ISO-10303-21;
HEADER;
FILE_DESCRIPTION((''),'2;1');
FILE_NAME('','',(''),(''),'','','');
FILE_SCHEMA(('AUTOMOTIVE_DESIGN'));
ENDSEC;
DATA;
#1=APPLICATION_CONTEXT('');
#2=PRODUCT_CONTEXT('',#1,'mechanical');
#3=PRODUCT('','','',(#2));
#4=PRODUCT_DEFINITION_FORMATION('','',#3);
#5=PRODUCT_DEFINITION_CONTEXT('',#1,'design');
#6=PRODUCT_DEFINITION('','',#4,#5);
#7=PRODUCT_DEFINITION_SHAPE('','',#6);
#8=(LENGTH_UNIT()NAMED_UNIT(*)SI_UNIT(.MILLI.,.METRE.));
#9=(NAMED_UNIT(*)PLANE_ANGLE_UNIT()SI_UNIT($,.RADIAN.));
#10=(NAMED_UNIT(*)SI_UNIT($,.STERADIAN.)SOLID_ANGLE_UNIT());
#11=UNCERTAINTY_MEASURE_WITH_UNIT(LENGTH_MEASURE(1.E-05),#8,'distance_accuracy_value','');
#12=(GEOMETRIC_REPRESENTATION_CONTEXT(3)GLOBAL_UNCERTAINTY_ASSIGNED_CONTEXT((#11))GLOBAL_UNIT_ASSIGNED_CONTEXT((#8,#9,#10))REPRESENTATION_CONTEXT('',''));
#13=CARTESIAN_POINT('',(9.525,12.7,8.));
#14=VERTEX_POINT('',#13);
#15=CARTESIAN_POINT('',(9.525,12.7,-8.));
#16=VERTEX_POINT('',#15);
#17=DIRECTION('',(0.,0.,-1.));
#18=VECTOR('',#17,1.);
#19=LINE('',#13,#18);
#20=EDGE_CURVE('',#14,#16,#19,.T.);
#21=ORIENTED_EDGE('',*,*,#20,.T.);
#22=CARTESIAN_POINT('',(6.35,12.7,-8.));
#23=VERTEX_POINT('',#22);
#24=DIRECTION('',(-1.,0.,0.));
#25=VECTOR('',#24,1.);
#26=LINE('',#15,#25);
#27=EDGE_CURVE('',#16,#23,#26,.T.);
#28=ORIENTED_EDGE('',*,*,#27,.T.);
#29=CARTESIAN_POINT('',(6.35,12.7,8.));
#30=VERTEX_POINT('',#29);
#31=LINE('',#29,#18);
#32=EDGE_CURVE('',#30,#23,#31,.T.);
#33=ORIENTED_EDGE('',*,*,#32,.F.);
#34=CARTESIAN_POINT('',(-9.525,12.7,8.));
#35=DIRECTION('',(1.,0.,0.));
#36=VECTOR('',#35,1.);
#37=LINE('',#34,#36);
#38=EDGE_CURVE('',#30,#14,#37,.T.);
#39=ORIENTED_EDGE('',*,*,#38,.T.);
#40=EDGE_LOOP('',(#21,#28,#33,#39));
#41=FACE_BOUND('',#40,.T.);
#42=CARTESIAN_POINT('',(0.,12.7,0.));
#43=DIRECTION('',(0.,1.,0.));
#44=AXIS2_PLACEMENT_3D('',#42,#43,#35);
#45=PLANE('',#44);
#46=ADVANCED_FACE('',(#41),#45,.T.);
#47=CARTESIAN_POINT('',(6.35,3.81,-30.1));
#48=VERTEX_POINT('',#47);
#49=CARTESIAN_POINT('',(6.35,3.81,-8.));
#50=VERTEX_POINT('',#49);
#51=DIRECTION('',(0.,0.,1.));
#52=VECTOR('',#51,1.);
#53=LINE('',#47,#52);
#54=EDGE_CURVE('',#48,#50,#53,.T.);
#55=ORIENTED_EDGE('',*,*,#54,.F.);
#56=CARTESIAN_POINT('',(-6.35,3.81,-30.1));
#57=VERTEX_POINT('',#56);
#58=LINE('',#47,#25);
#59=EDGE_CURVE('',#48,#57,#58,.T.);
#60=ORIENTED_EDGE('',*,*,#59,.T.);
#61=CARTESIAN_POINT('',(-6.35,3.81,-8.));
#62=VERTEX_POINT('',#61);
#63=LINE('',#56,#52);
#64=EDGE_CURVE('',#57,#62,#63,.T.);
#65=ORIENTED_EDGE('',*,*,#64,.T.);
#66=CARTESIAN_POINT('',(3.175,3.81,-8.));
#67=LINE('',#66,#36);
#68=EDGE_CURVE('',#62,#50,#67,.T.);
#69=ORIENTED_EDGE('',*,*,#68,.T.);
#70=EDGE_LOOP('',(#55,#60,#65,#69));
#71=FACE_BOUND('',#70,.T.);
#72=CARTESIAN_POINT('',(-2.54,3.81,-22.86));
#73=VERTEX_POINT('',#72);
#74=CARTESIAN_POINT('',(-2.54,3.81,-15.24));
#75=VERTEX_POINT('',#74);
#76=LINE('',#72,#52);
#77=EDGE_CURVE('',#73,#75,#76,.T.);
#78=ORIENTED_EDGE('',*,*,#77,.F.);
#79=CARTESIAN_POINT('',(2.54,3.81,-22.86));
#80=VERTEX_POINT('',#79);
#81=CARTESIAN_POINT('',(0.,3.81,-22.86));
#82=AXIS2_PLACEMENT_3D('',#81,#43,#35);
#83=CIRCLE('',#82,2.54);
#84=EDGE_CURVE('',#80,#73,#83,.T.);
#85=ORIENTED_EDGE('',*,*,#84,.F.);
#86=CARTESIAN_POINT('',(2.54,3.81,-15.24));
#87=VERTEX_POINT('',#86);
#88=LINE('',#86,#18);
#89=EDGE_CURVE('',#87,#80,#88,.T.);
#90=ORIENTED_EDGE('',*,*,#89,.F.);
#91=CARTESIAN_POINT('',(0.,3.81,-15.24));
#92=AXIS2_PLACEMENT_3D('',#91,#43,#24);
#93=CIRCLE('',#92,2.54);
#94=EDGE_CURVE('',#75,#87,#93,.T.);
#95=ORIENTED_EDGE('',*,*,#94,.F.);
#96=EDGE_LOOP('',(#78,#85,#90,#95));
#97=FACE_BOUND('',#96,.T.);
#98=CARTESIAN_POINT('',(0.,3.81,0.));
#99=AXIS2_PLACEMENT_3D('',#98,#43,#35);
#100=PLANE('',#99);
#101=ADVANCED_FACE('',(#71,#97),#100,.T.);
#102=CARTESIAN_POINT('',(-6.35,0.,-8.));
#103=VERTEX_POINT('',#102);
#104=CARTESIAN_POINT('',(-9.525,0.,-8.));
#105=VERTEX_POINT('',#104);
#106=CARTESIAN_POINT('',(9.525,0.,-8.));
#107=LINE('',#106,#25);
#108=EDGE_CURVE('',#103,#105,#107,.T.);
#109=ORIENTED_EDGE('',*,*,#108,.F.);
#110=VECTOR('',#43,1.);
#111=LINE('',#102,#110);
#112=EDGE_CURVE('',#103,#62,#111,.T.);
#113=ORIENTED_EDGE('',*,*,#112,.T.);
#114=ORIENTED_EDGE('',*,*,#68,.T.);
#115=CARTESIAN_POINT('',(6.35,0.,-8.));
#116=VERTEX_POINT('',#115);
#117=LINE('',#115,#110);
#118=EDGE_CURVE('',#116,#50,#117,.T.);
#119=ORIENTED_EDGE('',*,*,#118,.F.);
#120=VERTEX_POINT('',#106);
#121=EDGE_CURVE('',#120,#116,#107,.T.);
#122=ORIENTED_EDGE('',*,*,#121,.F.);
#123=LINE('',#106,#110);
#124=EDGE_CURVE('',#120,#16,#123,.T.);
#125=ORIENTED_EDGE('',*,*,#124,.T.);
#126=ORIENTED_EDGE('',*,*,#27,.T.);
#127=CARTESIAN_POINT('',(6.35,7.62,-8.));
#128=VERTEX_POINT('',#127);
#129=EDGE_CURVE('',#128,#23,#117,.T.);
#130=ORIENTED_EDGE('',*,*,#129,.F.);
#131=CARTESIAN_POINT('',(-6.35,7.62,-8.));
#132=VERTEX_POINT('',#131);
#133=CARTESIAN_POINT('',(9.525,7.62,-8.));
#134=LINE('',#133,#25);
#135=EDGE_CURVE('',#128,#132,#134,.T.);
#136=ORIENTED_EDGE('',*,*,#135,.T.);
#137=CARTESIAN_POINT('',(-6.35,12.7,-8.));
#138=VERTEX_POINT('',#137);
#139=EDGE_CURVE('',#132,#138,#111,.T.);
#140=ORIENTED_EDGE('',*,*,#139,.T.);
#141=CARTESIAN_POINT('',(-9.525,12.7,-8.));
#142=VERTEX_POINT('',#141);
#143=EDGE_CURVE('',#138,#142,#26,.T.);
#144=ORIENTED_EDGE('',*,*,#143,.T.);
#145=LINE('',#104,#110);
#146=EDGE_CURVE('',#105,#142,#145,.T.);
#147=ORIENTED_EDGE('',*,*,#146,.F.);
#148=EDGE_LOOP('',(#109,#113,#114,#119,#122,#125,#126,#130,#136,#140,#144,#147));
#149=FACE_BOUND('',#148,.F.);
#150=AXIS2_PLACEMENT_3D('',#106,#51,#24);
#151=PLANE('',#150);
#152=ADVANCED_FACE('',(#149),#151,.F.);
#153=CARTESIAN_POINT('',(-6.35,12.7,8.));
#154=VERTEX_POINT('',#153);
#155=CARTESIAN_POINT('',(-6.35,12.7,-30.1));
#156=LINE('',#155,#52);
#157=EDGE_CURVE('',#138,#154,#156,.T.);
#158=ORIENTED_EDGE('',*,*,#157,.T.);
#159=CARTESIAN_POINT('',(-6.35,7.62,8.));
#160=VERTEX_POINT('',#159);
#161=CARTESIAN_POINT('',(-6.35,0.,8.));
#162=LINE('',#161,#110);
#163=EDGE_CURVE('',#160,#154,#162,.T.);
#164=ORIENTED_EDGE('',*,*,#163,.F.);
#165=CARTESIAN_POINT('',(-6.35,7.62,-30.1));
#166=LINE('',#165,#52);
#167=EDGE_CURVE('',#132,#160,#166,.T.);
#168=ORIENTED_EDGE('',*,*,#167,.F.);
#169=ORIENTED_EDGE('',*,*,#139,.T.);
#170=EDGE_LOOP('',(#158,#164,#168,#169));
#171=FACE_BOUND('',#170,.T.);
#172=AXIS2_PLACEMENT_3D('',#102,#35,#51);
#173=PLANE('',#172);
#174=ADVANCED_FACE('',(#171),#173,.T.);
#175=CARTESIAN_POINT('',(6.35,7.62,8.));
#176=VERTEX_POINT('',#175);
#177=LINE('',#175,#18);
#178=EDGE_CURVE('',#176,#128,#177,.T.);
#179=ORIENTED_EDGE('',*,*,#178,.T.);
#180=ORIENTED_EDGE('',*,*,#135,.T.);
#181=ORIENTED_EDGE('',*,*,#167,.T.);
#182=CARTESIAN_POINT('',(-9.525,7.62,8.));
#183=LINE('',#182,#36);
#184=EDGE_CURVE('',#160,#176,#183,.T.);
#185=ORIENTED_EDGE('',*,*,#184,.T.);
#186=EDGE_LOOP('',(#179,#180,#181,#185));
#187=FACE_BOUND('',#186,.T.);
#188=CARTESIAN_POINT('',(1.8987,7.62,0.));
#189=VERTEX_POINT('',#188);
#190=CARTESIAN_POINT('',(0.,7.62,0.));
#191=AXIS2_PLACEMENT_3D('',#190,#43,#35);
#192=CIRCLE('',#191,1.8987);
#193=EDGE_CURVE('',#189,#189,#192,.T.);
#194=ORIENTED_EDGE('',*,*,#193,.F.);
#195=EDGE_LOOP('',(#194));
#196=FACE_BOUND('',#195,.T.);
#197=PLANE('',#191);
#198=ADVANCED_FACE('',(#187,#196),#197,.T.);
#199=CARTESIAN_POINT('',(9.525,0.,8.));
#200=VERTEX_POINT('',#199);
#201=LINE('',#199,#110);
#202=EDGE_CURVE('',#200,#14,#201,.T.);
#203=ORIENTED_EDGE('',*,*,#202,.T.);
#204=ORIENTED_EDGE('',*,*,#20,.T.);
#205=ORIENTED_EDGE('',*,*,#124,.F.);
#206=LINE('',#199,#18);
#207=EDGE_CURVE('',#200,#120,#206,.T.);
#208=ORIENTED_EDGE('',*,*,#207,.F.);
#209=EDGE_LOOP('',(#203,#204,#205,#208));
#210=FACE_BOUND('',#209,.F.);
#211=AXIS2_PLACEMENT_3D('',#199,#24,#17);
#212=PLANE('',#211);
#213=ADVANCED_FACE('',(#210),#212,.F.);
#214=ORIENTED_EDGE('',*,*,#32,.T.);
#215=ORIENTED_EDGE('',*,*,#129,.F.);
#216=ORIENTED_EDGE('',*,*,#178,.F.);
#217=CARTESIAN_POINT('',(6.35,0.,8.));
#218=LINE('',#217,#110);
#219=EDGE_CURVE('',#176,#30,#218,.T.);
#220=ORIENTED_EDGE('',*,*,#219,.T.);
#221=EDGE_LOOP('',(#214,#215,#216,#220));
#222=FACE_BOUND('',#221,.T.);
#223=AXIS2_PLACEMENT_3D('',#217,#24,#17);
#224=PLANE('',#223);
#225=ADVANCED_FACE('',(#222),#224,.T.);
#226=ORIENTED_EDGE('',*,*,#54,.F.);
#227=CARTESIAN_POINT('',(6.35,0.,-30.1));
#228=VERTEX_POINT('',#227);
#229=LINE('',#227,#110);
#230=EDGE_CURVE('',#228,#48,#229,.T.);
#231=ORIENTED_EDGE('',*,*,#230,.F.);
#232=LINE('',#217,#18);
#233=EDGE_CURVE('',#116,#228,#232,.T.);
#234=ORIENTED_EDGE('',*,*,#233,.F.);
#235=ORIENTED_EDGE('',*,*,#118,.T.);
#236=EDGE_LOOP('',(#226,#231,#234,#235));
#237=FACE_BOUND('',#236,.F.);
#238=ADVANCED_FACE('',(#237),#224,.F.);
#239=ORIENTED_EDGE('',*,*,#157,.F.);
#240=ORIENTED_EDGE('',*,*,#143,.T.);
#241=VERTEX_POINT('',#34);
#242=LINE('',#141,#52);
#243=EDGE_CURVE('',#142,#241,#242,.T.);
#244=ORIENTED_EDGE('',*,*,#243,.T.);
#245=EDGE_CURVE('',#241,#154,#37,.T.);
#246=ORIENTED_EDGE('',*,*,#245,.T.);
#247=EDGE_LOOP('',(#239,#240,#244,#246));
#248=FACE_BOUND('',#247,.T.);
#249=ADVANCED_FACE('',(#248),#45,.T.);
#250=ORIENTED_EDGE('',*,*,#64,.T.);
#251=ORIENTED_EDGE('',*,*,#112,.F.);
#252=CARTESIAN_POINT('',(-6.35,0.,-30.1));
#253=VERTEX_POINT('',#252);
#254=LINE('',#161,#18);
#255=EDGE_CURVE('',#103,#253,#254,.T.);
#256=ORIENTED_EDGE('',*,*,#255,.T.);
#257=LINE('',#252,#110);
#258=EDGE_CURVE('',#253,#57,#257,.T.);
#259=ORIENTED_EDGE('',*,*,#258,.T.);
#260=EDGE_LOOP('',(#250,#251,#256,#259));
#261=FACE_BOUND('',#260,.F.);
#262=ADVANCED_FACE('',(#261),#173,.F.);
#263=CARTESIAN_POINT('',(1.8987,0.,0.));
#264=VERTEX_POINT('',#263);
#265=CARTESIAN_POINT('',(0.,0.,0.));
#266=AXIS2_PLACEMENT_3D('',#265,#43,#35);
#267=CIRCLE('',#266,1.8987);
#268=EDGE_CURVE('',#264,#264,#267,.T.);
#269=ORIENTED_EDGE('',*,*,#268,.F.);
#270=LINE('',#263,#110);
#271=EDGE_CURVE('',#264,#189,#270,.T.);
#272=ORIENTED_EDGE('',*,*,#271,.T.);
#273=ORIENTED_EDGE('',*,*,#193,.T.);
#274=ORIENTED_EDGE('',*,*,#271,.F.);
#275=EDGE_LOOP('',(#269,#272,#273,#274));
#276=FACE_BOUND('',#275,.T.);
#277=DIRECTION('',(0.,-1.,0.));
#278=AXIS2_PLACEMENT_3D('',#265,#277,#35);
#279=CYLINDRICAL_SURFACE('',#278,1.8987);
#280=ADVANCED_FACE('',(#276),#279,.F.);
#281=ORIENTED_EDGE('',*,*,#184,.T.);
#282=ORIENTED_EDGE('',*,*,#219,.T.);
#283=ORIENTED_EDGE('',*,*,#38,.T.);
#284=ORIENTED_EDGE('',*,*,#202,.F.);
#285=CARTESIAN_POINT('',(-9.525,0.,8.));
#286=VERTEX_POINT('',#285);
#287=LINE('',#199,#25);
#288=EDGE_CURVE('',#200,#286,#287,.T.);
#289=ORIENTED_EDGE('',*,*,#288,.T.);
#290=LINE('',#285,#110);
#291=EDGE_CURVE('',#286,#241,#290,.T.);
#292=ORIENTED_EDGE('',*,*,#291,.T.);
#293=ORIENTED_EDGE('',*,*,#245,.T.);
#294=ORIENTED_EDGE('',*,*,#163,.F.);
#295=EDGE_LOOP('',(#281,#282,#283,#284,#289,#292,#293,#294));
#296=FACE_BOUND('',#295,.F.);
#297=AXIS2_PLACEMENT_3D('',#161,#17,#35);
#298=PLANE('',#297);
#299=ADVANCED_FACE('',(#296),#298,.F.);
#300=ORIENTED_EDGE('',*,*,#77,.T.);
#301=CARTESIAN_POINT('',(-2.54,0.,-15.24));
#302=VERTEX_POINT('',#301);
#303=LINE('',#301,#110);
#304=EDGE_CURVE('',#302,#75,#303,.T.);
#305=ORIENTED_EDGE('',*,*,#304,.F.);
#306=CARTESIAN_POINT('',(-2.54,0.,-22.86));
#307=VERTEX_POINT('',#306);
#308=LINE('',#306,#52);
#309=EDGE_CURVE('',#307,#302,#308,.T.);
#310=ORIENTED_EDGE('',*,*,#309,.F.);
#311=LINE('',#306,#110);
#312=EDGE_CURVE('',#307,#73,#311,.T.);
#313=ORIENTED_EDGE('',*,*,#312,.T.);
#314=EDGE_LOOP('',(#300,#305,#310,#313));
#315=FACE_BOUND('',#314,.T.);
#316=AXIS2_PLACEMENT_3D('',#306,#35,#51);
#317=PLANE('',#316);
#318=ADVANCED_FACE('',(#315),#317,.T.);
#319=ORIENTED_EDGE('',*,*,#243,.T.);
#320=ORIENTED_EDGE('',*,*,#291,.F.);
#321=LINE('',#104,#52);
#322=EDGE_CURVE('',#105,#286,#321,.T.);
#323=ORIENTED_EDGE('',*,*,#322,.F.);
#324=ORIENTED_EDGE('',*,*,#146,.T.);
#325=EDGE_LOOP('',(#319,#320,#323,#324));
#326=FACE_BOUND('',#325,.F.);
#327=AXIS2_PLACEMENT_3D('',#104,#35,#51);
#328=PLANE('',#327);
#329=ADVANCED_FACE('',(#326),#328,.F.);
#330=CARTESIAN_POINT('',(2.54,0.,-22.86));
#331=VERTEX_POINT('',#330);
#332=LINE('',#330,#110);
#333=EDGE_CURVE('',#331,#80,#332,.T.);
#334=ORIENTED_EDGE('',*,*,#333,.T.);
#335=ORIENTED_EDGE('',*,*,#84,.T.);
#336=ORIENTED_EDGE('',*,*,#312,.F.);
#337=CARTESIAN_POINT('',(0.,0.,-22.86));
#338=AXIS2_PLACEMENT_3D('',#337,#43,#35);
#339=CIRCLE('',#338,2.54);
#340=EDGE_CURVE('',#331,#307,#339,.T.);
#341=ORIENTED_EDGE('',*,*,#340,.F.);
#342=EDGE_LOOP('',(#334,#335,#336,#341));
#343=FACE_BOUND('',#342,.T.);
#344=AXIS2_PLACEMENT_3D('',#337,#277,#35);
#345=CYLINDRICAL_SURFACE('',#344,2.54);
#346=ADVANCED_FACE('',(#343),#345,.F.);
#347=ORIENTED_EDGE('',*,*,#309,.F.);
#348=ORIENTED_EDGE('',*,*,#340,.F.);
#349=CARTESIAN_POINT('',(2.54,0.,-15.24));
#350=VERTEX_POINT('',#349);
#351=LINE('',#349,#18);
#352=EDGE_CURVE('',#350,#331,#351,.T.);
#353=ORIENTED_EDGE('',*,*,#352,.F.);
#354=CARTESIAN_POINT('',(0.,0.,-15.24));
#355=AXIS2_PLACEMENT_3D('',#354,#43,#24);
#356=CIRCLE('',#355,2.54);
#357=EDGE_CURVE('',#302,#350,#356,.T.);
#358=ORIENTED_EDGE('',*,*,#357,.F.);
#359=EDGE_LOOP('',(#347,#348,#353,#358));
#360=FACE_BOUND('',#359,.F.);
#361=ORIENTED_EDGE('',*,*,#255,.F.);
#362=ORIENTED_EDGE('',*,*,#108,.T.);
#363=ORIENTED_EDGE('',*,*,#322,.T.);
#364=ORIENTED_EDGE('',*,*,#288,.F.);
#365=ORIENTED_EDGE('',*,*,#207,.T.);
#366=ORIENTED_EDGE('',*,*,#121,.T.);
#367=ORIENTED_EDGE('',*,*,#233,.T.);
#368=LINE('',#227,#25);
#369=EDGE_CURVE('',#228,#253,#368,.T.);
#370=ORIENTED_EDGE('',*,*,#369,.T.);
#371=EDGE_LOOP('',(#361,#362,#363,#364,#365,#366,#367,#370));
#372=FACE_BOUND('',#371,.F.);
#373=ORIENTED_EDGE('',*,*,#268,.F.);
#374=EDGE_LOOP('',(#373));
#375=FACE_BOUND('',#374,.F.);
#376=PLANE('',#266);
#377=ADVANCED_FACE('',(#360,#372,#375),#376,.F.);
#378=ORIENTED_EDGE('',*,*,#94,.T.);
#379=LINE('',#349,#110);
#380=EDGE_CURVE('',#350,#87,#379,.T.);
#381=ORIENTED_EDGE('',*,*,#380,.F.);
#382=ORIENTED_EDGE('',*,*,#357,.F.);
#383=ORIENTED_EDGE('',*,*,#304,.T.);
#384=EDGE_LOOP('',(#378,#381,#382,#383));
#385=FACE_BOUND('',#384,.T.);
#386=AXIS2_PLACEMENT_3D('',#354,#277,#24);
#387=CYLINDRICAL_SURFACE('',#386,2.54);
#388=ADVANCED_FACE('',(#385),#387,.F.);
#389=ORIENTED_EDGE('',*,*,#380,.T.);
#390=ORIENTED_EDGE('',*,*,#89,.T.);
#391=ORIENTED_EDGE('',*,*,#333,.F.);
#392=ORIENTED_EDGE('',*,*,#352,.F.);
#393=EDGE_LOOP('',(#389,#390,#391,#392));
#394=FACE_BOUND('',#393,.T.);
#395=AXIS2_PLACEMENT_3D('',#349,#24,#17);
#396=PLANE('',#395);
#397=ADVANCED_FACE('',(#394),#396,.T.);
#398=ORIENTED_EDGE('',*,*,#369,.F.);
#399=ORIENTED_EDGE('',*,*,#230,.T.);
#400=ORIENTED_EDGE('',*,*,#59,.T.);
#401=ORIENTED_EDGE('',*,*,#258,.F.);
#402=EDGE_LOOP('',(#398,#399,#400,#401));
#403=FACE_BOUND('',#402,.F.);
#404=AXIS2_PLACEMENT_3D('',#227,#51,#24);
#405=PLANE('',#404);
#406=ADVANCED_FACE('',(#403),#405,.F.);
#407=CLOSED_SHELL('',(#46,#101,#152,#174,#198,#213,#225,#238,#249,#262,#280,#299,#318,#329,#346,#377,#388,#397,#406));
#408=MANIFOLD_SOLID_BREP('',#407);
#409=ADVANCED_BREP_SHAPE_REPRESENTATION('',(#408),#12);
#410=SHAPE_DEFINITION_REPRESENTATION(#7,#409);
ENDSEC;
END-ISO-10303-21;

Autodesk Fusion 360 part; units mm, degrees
sketch "Sketch1" plane through (0, 0, 0) normal (0, 1, 0) x (1, 0, 0) in component "Slider"
  line L0 (9.525, 8) -> (-9.525, 8)
  line L1 (9.525, -8) -> (9.525, 8)
  line L2 (-9.525, -8) -> (9.525, -8)
  line L3 (-9.525, 8) -> (-9.525, -8)
  line L4 (-6.35, 30.1) -> (-6.35, -8)
  line L5 (6.35, 30.1) -> (-6.35, 30.1)
  line L6 (6.35, -8) -> (6.35, 30.1)
  line L7 (-2.54, 22.86) -> (-2.54, 15.24)
  arc A0 (-2.54, 15.24) -> (2.54, 15.24) centre (0, 15.24) ccw
  line L8 (2.54, 15.24) -> (2.54, 22.86)
  arc A1 (2.54, 22.86) -> (-2.54, 22.86) centre (0, 22.86) ccw
  line L9 (0, 25.4) -> (0, 12.7) construction
  circle A2 centre (0, 0) radius 1.8987
  circle A3 centre (0, 0) radius 3.175
  circle A4 centre (0, 0) radius 12.7 construction
  circle A5 centre (0, 15.24) radius 3.9624 construction
  circle A6 centre (0, 22.86) radius 3.9624 construction
  point P0 (0, 0)
  dimension "d2_1" = 5.08
  dimension "d4_1" = 6.35
  dimension "d5_1" = 3.7973
  dimension "d9_1" = 19.05
  dimension "d10_1" = 6.35
  dimension "d12_1" = 6.35
  dimension "d15_1" = 15.24
  dimension "d16_1" = 12.7
  dimension "d19_1" = 9.525
  dimension "d50_1" = 8
  dimension "d51_1" = 8
  dimension "d52_1" = 25.4
  dimension "d53_1" = 7.9248
  dimension "d54_1" = 7.9248
  dimension "d55_1" = 38.1
extrude "Extrude1" add sketch "Sketch1" along normal blind 3.81 contours L0 L2 L4 L6 | L0 L4 L5 L6 in component "Slider"
extrude "Extrude2" add sketch "Sketch1" along normal blind 7.62 contours L0 L2 L4 L6 | A3 in component "Slider"
extrude "Extrude3" add sketch "Sketch1" along normal blind 12.7 contours L0 L1 L2 L6 | L0 L2 L3 L4 in component "Slider"
thread "Thread1" in component "Slider"
component "Slider" placed x (1, 0, 0) y (0, 1, 0) z (0, 0, 1) at (0, 0, 0)
equation "d12_1 = d10_1"
equation "d53_1 = ( 3.9624 * 2 ) * 1 mm"
equation "d54_1 = d53_1"
